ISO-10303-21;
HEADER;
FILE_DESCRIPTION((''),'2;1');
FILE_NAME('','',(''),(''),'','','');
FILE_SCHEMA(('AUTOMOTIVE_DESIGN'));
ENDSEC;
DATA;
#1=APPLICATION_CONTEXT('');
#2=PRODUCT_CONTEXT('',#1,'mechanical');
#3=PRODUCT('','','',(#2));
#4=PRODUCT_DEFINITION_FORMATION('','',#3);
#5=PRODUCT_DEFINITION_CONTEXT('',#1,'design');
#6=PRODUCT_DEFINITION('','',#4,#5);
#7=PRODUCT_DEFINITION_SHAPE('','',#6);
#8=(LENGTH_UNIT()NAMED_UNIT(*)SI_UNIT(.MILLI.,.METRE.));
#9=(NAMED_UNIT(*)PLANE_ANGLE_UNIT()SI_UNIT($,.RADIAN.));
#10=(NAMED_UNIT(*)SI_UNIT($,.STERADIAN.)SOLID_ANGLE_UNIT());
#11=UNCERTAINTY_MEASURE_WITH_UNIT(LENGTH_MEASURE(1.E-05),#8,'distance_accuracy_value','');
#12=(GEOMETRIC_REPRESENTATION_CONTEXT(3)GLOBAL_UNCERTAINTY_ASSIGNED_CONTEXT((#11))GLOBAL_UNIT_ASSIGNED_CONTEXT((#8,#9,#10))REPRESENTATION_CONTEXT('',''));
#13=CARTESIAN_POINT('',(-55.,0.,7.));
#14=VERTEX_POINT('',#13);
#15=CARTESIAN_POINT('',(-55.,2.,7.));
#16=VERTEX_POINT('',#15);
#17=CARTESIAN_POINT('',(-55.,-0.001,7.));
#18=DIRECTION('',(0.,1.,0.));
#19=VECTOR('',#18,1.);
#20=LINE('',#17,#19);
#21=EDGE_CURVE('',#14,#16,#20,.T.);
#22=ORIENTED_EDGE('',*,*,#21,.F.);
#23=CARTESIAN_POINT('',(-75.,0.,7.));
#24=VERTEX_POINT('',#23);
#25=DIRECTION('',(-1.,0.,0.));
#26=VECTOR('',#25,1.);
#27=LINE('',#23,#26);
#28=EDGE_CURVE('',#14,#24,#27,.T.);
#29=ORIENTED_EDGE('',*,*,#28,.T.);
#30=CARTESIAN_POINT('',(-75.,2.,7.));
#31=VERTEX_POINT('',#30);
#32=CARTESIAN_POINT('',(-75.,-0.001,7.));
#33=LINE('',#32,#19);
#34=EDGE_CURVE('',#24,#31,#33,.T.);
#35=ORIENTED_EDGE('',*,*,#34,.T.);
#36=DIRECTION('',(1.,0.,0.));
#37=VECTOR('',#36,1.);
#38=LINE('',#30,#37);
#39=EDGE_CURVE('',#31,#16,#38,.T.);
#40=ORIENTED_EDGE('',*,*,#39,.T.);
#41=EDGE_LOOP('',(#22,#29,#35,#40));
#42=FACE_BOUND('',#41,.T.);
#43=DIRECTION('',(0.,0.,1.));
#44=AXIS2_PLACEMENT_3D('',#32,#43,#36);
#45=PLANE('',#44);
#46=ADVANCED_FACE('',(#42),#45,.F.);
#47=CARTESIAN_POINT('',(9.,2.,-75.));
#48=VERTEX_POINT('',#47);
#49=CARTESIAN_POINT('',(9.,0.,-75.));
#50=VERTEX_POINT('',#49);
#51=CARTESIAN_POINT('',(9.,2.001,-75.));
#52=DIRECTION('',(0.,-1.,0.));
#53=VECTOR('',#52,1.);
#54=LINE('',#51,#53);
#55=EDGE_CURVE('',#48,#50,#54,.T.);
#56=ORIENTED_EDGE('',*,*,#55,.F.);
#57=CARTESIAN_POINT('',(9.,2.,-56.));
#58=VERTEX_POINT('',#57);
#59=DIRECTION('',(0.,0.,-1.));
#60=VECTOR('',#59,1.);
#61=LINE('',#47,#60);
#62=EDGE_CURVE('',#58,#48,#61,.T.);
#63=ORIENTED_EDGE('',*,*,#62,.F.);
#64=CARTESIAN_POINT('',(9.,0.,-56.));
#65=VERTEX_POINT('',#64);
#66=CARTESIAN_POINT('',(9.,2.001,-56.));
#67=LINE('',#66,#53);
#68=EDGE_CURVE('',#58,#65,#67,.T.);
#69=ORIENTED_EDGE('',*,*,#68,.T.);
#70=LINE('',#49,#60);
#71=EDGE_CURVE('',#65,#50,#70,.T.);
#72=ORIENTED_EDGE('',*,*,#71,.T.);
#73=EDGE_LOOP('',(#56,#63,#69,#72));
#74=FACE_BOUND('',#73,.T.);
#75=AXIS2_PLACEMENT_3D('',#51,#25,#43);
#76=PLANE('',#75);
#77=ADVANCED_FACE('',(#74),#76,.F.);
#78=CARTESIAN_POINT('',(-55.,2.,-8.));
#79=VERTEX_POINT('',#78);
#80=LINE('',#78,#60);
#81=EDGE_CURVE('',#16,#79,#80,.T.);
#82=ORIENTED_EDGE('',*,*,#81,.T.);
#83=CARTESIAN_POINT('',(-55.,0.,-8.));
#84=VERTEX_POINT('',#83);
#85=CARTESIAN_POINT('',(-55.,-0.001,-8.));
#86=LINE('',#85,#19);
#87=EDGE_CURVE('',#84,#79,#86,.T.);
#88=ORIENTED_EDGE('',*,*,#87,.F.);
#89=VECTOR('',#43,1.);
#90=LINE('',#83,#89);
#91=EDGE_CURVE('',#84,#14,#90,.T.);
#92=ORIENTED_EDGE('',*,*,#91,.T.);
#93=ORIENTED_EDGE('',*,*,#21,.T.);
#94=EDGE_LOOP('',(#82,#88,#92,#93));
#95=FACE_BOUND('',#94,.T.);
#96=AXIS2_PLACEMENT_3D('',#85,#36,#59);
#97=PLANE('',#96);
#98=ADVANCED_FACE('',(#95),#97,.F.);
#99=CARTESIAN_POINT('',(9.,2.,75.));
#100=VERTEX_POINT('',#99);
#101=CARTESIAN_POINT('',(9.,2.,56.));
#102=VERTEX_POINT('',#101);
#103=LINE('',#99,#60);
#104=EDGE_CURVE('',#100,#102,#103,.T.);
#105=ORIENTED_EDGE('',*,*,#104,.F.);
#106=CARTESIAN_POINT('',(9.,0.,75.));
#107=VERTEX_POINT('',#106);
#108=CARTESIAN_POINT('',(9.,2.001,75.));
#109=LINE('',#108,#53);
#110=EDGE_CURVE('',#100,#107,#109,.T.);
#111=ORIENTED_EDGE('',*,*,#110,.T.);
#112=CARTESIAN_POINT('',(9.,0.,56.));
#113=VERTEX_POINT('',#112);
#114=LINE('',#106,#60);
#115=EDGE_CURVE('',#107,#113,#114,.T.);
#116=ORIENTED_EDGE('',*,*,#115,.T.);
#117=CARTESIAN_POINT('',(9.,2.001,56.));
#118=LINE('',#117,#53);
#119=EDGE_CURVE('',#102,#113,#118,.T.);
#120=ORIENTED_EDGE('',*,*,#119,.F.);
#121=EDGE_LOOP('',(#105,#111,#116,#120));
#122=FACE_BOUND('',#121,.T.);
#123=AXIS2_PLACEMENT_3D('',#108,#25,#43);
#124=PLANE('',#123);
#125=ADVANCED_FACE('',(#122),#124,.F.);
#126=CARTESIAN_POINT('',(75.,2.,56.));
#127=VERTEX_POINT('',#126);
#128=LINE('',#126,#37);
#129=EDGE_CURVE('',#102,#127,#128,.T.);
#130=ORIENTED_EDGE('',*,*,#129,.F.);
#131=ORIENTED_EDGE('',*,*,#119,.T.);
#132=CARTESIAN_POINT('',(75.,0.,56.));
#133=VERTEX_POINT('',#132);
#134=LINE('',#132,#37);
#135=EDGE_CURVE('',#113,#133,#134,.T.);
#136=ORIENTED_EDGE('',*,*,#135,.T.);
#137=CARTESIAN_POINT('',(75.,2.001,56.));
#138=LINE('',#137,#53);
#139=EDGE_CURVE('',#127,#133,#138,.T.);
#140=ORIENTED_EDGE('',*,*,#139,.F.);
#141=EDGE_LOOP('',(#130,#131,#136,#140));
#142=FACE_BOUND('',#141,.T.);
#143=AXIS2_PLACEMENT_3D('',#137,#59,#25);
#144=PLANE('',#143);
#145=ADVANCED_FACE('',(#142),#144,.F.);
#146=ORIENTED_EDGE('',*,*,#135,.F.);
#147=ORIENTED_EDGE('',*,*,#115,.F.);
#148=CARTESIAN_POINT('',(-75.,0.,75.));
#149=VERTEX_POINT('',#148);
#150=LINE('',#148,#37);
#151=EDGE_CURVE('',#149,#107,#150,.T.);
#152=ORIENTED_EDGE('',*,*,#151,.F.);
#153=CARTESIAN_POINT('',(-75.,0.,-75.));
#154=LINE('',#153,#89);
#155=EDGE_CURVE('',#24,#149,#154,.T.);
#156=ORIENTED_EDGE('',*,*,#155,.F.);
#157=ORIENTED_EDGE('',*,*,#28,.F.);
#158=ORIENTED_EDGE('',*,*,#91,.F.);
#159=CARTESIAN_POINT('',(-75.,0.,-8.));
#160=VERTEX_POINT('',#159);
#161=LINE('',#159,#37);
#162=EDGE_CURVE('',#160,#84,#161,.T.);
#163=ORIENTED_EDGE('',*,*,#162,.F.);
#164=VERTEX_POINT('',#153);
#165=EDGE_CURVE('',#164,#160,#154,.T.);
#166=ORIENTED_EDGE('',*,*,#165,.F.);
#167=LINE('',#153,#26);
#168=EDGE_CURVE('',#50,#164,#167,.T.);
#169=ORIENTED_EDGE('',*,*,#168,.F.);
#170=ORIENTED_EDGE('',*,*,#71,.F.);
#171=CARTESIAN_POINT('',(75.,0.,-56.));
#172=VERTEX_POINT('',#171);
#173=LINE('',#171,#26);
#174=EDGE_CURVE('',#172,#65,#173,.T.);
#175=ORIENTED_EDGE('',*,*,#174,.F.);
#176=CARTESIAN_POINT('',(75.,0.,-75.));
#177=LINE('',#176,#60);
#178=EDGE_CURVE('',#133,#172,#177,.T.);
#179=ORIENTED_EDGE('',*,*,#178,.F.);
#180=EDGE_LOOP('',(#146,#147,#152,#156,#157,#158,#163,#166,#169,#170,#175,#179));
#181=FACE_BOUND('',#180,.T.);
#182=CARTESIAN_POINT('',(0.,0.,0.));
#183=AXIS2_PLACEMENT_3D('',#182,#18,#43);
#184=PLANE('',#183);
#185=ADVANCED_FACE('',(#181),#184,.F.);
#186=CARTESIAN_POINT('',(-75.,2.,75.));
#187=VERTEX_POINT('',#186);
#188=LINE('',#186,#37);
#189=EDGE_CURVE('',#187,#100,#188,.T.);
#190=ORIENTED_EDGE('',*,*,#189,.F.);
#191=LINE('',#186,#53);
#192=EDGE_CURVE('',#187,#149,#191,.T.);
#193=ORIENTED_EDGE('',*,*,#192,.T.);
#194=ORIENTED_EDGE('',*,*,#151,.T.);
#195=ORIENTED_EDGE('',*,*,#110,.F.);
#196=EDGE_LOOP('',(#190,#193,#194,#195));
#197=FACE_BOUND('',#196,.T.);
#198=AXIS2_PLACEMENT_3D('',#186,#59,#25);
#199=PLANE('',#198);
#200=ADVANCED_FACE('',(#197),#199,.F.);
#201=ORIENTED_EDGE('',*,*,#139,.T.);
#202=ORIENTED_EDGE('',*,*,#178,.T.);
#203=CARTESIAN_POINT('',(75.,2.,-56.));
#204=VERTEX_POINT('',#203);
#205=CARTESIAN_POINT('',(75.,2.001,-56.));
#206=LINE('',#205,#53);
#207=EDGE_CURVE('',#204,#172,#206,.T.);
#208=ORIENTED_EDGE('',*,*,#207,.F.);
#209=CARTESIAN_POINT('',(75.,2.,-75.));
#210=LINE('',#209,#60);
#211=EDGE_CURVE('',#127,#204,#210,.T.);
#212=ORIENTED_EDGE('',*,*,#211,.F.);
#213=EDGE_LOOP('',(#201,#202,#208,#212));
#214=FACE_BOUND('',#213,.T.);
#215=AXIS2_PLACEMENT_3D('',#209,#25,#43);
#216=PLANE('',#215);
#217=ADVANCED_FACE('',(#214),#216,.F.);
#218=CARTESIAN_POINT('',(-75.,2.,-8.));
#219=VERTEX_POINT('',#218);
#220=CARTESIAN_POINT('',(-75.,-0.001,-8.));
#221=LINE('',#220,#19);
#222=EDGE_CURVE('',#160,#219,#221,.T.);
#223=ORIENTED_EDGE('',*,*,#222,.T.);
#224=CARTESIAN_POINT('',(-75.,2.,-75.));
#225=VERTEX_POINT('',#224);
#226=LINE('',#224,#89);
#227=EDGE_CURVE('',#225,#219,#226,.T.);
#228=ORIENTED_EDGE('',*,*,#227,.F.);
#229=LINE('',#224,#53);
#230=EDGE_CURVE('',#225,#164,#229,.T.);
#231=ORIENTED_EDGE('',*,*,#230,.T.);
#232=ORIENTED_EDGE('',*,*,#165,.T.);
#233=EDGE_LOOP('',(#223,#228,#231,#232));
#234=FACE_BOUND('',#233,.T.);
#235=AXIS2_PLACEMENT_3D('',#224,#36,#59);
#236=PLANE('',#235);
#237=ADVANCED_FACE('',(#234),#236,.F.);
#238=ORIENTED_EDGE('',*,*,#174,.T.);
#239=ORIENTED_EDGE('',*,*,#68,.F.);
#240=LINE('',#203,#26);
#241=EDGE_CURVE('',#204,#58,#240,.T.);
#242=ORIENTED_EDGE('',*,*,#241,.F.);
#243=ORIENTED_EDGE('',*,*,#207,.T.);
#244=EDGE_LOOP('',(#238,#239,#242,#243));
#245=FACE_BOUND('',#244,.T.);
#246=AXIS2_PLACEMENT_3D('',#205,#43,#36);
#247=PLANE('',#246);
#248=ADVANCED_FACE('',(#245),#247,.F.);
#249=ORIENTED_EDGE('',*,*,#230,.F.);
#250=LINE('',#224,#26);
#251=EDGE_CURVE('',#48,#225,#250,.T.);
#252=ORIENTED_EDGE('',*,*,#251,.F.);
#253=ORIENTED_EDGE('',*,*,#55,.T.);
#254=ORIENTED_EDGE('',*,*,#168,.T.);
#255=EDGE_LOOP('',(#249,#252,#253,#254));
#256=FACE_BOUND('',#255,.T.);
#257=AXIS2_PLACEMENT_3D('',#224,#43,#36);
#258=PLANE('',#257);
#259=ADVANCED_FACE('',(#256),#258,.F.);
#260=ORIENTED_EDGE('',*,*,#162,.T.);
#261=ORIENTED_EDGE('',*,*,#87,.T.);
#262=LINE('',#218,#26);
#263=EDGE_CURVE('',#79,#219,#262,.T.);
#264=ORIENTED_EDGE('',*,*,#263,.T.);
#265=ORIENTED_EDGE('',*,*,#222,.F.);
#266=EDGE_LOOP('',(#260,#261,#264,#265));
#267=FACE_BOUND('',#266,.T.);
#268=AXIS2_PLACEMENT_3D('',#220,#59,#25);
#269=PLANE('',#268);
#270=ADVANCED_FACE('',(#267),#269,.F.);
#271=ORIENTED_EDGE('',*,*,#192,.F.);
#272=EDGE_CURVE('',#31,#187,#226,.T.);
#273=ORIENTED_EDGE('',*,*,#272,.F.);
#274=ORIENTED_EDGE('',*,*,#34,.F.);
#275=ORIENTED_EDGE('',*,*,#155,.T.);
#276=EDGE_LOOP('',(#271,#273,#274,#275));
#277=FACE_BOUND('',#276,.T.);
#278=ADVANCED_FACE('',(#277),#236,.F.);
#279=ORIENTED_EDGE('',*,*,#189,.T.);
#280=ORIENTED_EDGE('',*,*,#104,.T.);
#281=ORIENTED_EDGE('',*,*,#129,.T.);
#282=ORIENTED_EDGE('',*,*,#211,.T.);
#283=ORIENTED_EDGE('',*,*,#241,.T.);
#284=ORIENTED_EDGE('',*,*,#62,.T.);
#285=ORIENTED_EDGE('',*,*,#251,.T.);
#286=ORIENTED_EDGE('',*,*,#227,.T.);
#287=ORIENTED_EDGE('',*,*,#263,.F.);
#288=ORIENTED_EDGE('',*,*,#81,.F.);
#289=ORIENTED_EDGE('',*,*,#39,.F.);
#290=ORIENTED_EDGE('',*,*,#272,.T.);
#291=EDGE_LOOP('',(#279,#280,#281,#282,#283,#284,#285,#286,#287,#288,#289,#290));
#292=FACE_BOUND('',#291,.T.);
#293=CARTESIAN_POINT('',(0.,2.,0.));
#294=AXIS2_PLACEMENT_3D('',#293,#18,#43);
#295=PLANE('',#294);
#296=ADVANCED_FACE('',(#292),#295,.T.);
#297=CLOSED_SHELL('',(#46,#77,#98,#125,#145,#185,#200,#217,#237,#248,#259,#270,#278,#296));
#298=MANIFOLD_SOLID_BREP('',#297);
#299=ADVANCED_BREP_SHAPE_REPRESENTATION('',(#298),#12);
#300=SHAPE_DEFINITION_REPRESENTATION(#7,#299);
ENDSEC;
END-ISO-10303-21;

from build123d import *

# Parameters (mm, degrees)
SKETCH1_W           = 150
SKETCH1_H           = 150
BOSS_EXTRUDE1_DEPTH = 2
CUT_EXTRUDE2_REACH  = 4
SKETCH4_W           = 20
SKETCH4_H           = 15
CUT_EXTRUDE3_REACH  = 4
SKETCH7_W           = 66
SKETCH7_H           = 19


with BuildPart() as part:
    # Sketch1 → Boss-Extrude1 (new body)
    with BuildSketch(Plane(origin=(0, 0, 0), x_dir=(1, 0, 0), z_dir=(0, 1, 0))):
        Rectangle(SKETCH1_W, SKETCH1_H)
    extrude(amount=BOSS_EXTRUDE1_DEPTH)

    # Sketch4 → Cut-Extrude2 (cut, up to next)
    with BuildSketch(Plane(origin=(0, 2, 0), x_dir=(1, 0, 0), z_dir=(0, 1, 0)), mode=Mode.PRIVATE) as cut_extrude2_sk1:
        with Locations((-65, 0.5)):
            Rectangle(SKETCH4_W, SKETCH4_H)
    cut_extrude2_tool1 = extrude(cut_extrude2_sk1.sketch, amount=-CUT_EXTRUDE2_REACH, mode=Mode.PRIVATE) & part.part
    add(cut_extrude2_tool1.solids().sort_by_distance((-65, 2, -0.5))[0], mode=Mode.SUBTRACT)

    # Sketch7 → Cut-Extrude3 (cut, up to next)
    with BuildSketch(Plane.XZ, mode=Mode.PRIVATE) as cut_extrude3_sk1:
        with Locations((42, 65.5)):
            Rectangle(SKETCH7_W, SKETCH7_H)
    cut_extrude3_tool1 = extrude(cut_extrude3_sk1.sketch, amount=-CUT_EXTRUDE3_REACH, mode=Mode.PRIVATE) & part.part
    add(cut_extrude3_tool1.solids().sort_by_distance((42, 0, 65.5))[0], mode=Mode.SUBTRACT)
    # Sketch7 → Cut-Extrude3 (cut, up to next)
    with BuildSketch(Plane.XZ, mode=Mode.PRIVATE) as cut_extrude3_sk2:
        with Locations((42, -65.5)):
            Rectangle(SKETCH7_W, SKETCH7_H)
    cut_extrude3_tool2 = extrude(cut_extrude3_sk2.sketch, amount=-CUT_EXTRUDE3_REACH, mode=Mode.PRIVATE) & part.part
    add(cut_extrude3_tool2.solids().sort_by_distance((42, 0, -65.5))[0], mode=Mode.SUBTRACT)


solid = part.part
